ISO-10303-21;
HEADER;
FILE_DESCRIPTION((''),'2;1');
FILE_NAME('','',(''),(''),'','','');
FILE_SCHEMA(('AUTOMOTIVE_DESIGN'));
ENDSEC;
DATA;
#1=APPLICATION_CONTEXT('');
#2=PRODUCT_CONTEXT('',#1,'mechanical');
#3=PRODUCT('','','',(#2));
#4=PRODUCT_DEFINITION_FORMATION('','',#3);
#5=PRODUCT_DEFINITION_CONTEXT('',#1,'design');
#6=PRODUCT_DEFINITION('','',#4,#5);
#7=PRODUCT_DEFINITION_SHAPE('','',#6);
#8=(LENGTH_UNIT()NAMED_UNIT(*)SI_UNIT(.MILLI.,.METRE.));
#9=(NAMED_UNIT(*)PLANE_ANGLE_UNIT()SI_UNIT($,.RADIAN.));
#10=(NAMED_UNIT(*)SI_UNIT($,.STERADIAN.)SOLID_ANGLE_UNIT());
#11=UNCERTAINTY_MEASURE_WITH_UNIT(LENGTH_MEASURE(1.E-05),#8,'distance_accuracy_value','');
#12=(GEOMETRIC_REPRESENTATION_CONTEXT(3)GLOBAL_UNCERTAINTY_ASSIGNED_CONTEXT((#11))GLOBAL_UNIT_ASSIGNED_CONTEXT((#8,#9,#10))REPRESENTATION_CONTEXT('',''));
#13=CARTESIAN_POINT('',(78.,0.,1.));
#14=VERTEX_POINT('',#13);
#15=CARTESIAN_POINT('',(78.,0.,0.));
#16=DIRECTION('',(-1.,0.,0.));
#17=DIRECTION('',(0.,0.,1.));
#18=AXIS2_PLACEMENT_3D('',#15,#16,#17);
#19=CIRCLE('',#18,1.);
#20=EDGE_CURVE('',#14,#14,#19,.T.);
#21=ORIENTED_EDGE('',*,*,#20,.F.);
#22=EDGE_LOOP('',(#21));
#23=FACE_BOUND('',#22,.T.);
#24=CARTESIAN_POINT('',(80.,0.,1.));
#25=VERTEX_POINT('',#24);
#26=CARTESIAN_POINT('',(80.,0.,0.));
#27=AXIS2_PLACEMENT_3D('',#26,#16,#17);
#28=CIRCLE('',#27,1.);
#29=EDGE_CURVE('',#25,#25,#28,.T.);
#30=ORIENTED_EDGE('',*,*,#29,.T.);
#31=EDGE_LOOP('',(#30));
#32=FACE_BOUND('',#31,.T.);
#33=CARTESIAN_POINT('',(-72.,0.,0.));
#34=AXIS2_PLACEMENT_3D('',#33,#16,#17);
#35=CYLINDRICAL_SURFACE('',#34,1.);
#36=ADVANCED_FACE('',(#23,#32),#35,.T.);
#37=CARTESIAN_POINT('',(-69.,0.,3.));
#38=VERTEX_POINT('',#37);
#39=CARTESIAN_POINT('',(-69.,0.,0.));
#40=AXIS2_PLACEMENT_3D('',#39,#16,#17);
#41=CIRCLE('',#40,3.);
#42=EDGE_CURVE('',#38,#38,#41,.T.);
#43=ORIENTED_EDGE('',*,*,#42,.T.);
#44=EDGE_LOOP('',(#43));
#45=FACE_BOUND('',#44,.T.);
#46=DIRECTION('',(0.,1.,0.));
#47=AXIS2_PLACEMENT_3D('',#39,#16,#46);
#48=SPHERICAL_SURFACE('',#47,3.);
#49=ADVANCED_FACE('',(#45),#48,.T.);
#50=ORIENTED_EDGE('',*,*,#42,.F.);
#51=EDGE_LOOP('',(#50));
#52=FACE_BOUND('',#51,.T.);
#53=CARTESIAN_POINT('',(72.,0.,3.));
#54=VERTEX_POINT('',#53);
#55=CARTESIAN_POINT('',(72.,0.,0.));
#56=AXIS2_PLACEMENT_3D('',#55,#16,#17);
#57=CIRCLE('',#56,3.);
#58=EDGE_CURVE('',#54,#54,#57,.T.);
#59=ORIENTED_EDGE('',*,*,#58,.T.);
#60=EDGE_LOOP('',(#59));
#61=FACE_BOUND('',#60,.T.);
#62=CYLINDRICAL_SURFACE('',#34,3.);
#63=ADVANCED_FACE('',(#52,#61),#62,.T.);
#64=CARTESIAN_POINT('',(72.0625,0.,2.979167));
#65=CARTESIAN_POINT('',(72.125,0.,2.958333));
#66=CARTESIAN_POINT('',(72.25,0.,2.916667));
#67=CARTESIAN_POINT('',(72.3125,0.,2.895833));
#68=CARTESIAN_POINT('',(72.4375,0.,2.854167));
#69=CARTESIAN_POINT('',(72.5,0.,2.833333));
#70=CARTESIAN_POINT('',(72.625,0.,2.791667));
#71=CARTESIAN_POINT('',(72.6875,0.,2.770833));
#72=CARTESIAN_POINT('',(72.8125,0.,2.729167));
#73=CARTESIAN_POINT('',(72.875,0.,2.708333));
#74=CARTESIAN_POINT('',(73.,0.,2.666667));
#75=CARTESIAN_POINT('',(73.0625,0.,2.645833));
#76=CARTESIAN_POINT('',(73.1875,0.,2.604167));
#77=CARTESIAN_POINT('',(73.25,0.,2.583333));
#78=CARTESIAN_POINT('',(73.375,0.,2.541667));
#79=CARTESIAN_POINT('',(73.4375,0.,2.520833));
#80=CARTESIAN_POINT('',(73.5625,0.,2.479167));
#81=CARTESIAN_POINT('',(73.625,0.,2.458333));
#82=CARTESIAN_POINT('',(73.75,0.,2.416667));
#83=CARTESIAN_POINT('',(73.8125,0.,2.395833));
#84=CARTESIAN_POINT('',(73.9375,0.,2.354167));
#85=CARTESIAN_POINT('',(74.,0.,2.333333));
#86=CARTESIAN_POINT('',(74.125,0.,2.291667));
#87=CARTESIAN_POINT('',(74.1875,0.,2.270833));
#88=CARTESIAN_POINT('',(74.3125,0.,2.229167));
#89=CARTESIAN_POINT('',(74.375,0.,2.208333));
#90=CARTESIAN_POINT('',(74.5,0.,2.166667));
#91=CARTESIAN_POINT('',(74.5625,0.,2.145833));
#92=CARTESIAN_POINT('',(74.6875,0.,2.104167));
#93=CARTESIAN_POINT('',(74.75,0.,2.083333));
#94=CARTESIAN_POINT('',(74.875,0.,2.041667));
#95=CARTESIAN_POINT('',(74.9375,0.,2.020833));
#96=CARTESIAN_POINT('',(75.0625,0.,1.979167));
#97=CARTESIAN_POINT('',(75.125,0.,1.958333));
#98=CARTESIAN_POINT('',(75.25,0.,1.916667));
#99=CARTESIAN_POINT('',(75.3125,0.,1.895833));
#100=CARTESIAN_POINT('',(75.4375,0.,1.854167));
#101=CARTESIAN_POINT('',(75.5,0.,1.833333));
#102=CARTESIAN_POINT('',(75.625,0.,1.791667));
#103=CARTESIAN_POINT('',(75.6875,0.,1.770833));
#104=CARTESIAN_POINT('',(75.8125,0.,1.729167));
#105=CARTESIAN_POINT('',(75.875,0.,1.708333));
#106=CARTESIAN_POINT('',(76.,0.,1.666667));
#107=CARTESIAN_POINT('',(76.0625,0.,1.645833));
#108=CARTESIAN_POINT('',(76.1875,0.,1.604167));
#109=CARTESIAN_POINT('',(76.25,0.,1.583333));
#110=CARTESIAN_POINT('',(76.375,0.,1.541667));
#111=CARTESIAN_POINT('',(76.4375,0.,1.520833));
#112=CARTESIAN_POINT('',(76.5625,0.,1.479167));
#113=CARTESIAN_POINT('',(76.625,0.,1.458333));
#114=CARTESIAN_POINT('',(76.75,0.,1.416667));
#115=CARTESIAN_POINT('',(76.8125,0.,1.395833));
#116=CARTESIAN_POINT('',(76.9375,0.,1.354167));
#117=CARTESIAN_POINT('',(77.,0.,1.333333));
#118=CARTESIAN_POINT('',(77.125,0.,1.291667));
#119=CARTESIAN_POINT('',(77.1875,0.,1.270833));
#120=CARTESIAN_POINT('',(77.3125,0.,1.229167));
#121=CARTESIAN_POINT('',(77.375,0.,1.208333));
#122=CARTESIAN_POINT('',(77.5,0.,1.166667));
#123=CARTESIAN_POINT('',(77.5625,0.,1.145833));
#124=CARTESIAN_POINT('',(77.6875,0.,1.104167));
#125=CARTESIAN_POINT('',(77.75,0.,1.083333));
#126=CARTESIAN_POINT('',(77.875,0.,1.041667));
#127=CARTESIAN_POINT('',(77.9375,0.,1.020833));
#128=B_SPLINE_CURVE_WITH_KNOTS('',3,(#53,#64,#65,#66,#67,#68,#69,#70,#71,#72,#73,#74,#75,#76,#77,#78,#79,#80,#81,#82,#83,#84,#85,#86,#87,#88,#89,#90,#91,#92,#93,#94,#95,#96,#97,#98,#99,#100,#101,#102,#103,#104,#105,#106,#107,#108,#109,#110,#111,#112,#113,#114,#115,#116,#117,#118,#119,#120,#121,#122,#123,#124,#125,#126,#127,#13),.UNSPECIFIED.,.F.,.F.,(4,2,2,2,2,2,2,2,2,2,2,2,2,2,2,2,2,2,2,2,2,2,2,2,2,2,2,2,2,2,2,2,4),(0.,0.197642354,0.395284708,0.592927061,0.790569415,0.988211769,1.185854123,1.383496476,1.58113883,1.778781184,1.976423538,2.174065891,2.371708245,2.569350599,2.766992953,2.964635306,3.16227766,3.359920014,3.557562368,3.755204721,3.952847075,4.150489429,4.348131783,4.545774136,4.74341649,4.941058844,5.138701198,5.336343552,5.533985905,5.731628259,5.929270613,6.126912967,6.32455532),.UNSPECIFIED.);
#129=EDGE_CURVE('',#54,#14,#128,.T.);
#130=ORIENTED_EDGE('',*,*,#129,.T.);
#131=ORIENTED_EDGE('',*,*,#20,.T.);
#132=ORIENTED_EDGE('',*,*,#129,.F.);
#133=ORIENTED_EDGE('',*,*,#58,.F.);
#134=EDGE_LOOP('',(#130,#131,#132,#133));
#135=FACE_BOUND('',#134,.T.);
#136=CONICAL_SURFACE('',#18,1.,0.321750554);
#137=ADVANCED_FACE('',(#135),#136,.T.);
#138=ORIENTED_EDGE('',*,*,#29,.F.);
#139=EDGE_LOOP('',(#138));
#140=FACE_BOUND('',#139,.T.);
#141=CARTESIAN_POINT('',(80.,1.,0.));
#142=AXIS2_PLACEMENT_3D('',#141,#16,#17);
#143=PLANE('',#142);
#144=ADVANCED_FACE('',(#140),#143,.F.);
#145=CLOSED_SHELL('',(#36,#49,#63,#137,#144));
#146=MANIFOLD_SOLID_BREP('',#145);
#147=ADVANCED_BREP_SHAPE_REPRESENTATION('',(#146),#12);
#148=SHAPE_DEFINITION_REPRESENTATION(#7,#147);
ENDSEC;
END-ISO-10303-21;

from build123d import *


with BuildPart() as part:
    # Croquis1 → Revolución3 (revolve)
    with BuildSketch(Plane.XY, mode=Mode.PRIVATE) as revoluci_n3_sk:
        with BuildLine():
            Line((72, 3), (78, 1))
            Line((78, 1), (80, 1))
            Line((80, 1), (80, 0))
            Line((80, 0), (78, 0))
            Line((78, 0), (72, 0))
            Line((72, 0), (-72, 0))
            ThreePointArc((-72, 0), (-71.121320344, 2.121320344), (-69, 3))
            Line((-69, 3), (72, 3))
        make_face()
    revolve(revoluci_n3_sk.sketch.rotate(Axis((-72, 0, 0), (1, 0, 0)), 90), axis=Axis((-72, 0, 0), (1, 0, 0)))


solid = part.part
